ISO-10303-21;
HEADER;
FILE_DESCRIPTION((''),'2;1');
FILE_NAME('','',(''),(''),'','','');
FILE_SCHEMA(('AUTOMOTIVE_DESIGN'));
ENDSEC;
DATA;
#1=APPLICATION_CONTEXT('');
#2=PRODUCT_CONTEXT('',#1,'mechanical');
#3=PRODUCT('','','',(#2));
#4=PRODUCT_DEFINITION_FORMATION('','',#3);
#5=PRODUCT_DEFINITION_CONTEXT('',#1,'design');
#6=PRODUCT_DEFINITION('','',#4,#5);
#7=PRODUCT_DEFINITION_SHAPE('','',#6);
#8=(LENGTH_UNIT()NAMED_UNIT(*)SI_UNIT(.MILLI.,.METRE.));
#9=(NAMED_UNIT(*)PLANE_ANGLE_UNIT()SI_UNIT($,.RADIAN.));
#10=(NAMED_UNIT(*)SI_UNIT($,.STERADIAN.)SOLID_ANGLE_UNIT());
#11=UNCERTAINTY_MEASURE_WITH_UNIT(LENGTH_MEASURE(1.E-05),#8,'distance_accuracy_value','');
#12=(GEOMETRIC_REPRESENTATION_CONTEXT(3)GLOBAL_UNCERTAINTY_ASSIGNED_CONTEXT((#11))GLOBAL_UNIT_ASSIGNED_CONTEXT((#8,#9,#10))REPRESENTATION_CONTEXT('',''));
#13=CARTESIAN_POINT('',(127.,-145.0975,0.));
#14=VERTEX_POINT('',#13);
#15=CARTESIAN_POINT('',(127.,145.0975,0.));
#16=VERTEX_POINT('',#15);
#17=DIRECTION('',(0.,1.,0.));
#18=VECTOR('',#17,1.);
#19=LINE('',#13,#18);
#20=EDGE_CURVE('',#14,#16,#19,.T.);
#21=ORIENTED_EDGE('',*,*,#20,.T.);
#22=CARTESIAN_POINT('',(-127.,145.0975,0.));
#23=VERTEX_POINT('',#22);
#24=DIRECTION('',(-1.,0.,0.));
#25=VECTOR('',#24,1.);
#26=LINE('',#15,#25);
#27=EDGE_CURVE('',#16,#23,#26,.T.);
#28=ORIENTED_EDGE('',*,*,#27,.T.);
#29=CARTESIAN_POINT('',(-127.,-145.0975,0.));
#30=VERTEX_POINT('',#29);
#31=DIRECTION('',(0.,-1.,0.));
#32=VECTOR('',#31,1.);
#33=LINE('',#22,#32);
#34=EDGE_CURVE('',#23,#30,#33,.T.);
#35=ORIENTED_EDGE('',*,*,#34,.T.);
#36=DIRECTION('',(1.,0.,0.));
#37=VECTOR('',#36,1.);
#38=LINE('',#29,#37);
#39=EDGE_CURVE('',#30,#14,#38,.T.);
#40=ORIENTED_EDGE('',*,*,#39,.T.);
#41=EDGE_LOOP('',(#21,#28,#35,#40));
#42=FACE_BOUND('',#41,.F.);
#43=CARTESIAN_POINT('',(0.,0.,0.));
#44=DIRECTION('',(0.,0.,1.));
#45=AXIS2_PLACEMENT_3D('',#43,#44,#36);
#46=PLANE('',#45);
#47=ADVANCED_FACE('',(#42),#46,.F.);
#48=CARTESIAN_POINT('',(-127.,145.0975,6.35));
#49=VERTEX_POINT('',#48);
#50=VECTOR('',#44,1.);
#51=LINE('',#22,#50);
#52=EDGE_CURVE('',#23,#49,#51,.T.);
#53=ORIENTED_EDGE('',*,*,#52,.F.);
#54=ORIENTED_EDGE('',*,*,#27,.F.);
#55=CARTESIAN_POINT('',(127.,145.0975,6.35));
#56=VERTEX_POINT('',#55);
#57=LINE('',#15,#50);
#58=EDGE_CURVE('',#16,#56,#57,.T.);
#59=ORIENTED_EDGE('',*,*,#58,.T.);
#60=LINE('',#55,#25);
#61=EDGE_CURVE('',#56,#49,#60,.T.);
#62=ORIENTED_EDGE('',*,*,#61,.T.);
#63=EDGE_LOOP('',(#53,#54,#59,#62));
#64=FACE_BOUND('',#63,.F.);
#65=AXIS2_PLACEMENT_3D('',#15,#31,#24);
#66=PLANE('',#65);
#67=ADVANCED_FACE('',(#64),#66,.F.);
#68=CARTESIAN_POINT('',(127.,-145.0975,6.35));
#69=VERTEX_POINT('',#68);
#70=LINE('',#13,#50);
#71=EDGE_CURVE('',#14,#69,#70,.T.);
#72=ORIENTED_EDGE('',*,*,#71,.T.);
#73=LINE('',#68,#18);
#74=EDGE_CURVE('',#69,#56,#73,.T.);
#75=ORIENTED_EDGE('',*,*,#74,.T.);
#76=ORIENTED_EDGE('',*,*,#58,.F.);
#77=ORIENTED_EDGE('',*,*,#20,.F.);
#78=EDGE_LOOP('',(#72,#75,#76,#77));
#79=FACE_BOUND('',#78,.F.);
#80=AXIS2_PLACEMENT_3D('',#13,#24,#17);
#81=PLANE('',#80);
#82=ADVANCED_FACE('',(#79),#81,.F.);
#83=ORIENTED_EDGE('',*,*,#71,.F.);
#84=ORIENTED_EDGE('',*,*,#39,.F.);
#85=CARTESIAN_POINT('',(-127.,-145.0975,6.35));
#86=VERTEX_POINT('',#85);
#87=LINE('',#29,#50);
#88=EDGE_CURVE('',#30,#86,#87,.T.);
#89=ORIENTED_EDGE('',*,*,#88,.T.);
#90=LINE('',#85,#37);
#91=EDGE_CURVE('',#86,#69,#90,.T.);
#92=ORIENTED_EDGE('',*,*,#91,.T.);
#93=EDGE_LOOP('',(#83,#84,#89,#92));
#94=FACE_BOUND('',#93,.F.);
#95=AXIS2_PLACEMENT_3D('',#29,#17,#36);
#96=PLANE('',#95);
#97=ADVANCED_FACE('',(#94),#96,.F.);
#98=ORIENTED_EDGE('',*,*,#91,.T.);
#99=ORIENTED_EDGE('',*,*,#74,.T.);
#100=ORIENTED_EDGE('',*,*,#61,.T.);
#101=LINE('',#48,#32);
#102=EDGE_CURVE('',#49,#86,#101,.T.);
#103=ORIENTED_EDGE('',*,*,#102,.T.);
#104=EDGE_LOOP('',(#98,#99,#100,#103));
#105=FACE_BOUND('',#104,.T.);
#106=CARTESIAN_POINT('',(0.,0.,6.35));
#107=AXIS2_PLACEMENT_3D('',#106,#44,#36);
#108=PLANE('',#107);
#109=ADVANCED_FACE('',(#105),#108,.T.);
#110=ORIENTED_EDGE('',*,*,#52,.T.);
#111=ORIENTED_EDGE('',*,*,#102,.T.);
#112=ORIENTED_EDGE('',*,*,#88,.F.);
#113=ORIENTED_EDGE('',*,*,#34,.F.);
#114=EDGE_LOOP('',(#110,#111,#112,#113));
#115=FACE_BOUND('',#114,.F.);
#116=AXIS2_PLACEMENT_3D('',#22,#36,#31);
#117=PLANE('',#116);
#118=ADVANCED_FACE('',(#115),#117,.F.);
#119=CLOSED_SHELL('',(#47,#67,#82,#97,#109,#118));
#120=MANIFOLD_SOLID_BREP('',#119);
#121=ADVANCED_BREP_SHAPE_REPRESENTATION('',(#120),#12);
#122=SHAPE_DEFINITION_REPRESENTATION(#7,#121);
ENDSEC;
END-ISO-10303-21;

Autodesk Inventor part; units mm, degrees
ref_plane "YZ Plane" through (0, 0, 0) normal (1, 0, 0) x (0, 1, 0)
ref_plane "XZ Plane" through (0, 0, 0) normal (0, 1, 0) x (-1, 0, 0)
ref_plane "XY Plane" through (0, 0, 0) normal (0, 0, 1) x (1, 0, 0)
sketch "Sketch1" plane through (0, 0, 0) normal (0, 0, 1) x (1, 0, 0)
  line L0 (-127, -145.0975) -> (127, -145.0975)
  line L1 (127, -145.0975) -> (127, 145.0975)
  line L2 (127, 145.0975) -> (-127, 145.0975)
  line L3 (-127, 145.0975) -> (-127, -145.0975)
  line L4 (-127, -145.0975) -> (127, 145.0975) construction
  line L5 (127, -145.0975) -> (-127, 145.0975) construction
  point P0 (0, 0)
  dimension "d0" = 254
  dimension "d1" = 290.195
extrude "Extrusion1" add sketch "Sketch1" along normal blind 6.35
properties part number "Electronics Plate"
